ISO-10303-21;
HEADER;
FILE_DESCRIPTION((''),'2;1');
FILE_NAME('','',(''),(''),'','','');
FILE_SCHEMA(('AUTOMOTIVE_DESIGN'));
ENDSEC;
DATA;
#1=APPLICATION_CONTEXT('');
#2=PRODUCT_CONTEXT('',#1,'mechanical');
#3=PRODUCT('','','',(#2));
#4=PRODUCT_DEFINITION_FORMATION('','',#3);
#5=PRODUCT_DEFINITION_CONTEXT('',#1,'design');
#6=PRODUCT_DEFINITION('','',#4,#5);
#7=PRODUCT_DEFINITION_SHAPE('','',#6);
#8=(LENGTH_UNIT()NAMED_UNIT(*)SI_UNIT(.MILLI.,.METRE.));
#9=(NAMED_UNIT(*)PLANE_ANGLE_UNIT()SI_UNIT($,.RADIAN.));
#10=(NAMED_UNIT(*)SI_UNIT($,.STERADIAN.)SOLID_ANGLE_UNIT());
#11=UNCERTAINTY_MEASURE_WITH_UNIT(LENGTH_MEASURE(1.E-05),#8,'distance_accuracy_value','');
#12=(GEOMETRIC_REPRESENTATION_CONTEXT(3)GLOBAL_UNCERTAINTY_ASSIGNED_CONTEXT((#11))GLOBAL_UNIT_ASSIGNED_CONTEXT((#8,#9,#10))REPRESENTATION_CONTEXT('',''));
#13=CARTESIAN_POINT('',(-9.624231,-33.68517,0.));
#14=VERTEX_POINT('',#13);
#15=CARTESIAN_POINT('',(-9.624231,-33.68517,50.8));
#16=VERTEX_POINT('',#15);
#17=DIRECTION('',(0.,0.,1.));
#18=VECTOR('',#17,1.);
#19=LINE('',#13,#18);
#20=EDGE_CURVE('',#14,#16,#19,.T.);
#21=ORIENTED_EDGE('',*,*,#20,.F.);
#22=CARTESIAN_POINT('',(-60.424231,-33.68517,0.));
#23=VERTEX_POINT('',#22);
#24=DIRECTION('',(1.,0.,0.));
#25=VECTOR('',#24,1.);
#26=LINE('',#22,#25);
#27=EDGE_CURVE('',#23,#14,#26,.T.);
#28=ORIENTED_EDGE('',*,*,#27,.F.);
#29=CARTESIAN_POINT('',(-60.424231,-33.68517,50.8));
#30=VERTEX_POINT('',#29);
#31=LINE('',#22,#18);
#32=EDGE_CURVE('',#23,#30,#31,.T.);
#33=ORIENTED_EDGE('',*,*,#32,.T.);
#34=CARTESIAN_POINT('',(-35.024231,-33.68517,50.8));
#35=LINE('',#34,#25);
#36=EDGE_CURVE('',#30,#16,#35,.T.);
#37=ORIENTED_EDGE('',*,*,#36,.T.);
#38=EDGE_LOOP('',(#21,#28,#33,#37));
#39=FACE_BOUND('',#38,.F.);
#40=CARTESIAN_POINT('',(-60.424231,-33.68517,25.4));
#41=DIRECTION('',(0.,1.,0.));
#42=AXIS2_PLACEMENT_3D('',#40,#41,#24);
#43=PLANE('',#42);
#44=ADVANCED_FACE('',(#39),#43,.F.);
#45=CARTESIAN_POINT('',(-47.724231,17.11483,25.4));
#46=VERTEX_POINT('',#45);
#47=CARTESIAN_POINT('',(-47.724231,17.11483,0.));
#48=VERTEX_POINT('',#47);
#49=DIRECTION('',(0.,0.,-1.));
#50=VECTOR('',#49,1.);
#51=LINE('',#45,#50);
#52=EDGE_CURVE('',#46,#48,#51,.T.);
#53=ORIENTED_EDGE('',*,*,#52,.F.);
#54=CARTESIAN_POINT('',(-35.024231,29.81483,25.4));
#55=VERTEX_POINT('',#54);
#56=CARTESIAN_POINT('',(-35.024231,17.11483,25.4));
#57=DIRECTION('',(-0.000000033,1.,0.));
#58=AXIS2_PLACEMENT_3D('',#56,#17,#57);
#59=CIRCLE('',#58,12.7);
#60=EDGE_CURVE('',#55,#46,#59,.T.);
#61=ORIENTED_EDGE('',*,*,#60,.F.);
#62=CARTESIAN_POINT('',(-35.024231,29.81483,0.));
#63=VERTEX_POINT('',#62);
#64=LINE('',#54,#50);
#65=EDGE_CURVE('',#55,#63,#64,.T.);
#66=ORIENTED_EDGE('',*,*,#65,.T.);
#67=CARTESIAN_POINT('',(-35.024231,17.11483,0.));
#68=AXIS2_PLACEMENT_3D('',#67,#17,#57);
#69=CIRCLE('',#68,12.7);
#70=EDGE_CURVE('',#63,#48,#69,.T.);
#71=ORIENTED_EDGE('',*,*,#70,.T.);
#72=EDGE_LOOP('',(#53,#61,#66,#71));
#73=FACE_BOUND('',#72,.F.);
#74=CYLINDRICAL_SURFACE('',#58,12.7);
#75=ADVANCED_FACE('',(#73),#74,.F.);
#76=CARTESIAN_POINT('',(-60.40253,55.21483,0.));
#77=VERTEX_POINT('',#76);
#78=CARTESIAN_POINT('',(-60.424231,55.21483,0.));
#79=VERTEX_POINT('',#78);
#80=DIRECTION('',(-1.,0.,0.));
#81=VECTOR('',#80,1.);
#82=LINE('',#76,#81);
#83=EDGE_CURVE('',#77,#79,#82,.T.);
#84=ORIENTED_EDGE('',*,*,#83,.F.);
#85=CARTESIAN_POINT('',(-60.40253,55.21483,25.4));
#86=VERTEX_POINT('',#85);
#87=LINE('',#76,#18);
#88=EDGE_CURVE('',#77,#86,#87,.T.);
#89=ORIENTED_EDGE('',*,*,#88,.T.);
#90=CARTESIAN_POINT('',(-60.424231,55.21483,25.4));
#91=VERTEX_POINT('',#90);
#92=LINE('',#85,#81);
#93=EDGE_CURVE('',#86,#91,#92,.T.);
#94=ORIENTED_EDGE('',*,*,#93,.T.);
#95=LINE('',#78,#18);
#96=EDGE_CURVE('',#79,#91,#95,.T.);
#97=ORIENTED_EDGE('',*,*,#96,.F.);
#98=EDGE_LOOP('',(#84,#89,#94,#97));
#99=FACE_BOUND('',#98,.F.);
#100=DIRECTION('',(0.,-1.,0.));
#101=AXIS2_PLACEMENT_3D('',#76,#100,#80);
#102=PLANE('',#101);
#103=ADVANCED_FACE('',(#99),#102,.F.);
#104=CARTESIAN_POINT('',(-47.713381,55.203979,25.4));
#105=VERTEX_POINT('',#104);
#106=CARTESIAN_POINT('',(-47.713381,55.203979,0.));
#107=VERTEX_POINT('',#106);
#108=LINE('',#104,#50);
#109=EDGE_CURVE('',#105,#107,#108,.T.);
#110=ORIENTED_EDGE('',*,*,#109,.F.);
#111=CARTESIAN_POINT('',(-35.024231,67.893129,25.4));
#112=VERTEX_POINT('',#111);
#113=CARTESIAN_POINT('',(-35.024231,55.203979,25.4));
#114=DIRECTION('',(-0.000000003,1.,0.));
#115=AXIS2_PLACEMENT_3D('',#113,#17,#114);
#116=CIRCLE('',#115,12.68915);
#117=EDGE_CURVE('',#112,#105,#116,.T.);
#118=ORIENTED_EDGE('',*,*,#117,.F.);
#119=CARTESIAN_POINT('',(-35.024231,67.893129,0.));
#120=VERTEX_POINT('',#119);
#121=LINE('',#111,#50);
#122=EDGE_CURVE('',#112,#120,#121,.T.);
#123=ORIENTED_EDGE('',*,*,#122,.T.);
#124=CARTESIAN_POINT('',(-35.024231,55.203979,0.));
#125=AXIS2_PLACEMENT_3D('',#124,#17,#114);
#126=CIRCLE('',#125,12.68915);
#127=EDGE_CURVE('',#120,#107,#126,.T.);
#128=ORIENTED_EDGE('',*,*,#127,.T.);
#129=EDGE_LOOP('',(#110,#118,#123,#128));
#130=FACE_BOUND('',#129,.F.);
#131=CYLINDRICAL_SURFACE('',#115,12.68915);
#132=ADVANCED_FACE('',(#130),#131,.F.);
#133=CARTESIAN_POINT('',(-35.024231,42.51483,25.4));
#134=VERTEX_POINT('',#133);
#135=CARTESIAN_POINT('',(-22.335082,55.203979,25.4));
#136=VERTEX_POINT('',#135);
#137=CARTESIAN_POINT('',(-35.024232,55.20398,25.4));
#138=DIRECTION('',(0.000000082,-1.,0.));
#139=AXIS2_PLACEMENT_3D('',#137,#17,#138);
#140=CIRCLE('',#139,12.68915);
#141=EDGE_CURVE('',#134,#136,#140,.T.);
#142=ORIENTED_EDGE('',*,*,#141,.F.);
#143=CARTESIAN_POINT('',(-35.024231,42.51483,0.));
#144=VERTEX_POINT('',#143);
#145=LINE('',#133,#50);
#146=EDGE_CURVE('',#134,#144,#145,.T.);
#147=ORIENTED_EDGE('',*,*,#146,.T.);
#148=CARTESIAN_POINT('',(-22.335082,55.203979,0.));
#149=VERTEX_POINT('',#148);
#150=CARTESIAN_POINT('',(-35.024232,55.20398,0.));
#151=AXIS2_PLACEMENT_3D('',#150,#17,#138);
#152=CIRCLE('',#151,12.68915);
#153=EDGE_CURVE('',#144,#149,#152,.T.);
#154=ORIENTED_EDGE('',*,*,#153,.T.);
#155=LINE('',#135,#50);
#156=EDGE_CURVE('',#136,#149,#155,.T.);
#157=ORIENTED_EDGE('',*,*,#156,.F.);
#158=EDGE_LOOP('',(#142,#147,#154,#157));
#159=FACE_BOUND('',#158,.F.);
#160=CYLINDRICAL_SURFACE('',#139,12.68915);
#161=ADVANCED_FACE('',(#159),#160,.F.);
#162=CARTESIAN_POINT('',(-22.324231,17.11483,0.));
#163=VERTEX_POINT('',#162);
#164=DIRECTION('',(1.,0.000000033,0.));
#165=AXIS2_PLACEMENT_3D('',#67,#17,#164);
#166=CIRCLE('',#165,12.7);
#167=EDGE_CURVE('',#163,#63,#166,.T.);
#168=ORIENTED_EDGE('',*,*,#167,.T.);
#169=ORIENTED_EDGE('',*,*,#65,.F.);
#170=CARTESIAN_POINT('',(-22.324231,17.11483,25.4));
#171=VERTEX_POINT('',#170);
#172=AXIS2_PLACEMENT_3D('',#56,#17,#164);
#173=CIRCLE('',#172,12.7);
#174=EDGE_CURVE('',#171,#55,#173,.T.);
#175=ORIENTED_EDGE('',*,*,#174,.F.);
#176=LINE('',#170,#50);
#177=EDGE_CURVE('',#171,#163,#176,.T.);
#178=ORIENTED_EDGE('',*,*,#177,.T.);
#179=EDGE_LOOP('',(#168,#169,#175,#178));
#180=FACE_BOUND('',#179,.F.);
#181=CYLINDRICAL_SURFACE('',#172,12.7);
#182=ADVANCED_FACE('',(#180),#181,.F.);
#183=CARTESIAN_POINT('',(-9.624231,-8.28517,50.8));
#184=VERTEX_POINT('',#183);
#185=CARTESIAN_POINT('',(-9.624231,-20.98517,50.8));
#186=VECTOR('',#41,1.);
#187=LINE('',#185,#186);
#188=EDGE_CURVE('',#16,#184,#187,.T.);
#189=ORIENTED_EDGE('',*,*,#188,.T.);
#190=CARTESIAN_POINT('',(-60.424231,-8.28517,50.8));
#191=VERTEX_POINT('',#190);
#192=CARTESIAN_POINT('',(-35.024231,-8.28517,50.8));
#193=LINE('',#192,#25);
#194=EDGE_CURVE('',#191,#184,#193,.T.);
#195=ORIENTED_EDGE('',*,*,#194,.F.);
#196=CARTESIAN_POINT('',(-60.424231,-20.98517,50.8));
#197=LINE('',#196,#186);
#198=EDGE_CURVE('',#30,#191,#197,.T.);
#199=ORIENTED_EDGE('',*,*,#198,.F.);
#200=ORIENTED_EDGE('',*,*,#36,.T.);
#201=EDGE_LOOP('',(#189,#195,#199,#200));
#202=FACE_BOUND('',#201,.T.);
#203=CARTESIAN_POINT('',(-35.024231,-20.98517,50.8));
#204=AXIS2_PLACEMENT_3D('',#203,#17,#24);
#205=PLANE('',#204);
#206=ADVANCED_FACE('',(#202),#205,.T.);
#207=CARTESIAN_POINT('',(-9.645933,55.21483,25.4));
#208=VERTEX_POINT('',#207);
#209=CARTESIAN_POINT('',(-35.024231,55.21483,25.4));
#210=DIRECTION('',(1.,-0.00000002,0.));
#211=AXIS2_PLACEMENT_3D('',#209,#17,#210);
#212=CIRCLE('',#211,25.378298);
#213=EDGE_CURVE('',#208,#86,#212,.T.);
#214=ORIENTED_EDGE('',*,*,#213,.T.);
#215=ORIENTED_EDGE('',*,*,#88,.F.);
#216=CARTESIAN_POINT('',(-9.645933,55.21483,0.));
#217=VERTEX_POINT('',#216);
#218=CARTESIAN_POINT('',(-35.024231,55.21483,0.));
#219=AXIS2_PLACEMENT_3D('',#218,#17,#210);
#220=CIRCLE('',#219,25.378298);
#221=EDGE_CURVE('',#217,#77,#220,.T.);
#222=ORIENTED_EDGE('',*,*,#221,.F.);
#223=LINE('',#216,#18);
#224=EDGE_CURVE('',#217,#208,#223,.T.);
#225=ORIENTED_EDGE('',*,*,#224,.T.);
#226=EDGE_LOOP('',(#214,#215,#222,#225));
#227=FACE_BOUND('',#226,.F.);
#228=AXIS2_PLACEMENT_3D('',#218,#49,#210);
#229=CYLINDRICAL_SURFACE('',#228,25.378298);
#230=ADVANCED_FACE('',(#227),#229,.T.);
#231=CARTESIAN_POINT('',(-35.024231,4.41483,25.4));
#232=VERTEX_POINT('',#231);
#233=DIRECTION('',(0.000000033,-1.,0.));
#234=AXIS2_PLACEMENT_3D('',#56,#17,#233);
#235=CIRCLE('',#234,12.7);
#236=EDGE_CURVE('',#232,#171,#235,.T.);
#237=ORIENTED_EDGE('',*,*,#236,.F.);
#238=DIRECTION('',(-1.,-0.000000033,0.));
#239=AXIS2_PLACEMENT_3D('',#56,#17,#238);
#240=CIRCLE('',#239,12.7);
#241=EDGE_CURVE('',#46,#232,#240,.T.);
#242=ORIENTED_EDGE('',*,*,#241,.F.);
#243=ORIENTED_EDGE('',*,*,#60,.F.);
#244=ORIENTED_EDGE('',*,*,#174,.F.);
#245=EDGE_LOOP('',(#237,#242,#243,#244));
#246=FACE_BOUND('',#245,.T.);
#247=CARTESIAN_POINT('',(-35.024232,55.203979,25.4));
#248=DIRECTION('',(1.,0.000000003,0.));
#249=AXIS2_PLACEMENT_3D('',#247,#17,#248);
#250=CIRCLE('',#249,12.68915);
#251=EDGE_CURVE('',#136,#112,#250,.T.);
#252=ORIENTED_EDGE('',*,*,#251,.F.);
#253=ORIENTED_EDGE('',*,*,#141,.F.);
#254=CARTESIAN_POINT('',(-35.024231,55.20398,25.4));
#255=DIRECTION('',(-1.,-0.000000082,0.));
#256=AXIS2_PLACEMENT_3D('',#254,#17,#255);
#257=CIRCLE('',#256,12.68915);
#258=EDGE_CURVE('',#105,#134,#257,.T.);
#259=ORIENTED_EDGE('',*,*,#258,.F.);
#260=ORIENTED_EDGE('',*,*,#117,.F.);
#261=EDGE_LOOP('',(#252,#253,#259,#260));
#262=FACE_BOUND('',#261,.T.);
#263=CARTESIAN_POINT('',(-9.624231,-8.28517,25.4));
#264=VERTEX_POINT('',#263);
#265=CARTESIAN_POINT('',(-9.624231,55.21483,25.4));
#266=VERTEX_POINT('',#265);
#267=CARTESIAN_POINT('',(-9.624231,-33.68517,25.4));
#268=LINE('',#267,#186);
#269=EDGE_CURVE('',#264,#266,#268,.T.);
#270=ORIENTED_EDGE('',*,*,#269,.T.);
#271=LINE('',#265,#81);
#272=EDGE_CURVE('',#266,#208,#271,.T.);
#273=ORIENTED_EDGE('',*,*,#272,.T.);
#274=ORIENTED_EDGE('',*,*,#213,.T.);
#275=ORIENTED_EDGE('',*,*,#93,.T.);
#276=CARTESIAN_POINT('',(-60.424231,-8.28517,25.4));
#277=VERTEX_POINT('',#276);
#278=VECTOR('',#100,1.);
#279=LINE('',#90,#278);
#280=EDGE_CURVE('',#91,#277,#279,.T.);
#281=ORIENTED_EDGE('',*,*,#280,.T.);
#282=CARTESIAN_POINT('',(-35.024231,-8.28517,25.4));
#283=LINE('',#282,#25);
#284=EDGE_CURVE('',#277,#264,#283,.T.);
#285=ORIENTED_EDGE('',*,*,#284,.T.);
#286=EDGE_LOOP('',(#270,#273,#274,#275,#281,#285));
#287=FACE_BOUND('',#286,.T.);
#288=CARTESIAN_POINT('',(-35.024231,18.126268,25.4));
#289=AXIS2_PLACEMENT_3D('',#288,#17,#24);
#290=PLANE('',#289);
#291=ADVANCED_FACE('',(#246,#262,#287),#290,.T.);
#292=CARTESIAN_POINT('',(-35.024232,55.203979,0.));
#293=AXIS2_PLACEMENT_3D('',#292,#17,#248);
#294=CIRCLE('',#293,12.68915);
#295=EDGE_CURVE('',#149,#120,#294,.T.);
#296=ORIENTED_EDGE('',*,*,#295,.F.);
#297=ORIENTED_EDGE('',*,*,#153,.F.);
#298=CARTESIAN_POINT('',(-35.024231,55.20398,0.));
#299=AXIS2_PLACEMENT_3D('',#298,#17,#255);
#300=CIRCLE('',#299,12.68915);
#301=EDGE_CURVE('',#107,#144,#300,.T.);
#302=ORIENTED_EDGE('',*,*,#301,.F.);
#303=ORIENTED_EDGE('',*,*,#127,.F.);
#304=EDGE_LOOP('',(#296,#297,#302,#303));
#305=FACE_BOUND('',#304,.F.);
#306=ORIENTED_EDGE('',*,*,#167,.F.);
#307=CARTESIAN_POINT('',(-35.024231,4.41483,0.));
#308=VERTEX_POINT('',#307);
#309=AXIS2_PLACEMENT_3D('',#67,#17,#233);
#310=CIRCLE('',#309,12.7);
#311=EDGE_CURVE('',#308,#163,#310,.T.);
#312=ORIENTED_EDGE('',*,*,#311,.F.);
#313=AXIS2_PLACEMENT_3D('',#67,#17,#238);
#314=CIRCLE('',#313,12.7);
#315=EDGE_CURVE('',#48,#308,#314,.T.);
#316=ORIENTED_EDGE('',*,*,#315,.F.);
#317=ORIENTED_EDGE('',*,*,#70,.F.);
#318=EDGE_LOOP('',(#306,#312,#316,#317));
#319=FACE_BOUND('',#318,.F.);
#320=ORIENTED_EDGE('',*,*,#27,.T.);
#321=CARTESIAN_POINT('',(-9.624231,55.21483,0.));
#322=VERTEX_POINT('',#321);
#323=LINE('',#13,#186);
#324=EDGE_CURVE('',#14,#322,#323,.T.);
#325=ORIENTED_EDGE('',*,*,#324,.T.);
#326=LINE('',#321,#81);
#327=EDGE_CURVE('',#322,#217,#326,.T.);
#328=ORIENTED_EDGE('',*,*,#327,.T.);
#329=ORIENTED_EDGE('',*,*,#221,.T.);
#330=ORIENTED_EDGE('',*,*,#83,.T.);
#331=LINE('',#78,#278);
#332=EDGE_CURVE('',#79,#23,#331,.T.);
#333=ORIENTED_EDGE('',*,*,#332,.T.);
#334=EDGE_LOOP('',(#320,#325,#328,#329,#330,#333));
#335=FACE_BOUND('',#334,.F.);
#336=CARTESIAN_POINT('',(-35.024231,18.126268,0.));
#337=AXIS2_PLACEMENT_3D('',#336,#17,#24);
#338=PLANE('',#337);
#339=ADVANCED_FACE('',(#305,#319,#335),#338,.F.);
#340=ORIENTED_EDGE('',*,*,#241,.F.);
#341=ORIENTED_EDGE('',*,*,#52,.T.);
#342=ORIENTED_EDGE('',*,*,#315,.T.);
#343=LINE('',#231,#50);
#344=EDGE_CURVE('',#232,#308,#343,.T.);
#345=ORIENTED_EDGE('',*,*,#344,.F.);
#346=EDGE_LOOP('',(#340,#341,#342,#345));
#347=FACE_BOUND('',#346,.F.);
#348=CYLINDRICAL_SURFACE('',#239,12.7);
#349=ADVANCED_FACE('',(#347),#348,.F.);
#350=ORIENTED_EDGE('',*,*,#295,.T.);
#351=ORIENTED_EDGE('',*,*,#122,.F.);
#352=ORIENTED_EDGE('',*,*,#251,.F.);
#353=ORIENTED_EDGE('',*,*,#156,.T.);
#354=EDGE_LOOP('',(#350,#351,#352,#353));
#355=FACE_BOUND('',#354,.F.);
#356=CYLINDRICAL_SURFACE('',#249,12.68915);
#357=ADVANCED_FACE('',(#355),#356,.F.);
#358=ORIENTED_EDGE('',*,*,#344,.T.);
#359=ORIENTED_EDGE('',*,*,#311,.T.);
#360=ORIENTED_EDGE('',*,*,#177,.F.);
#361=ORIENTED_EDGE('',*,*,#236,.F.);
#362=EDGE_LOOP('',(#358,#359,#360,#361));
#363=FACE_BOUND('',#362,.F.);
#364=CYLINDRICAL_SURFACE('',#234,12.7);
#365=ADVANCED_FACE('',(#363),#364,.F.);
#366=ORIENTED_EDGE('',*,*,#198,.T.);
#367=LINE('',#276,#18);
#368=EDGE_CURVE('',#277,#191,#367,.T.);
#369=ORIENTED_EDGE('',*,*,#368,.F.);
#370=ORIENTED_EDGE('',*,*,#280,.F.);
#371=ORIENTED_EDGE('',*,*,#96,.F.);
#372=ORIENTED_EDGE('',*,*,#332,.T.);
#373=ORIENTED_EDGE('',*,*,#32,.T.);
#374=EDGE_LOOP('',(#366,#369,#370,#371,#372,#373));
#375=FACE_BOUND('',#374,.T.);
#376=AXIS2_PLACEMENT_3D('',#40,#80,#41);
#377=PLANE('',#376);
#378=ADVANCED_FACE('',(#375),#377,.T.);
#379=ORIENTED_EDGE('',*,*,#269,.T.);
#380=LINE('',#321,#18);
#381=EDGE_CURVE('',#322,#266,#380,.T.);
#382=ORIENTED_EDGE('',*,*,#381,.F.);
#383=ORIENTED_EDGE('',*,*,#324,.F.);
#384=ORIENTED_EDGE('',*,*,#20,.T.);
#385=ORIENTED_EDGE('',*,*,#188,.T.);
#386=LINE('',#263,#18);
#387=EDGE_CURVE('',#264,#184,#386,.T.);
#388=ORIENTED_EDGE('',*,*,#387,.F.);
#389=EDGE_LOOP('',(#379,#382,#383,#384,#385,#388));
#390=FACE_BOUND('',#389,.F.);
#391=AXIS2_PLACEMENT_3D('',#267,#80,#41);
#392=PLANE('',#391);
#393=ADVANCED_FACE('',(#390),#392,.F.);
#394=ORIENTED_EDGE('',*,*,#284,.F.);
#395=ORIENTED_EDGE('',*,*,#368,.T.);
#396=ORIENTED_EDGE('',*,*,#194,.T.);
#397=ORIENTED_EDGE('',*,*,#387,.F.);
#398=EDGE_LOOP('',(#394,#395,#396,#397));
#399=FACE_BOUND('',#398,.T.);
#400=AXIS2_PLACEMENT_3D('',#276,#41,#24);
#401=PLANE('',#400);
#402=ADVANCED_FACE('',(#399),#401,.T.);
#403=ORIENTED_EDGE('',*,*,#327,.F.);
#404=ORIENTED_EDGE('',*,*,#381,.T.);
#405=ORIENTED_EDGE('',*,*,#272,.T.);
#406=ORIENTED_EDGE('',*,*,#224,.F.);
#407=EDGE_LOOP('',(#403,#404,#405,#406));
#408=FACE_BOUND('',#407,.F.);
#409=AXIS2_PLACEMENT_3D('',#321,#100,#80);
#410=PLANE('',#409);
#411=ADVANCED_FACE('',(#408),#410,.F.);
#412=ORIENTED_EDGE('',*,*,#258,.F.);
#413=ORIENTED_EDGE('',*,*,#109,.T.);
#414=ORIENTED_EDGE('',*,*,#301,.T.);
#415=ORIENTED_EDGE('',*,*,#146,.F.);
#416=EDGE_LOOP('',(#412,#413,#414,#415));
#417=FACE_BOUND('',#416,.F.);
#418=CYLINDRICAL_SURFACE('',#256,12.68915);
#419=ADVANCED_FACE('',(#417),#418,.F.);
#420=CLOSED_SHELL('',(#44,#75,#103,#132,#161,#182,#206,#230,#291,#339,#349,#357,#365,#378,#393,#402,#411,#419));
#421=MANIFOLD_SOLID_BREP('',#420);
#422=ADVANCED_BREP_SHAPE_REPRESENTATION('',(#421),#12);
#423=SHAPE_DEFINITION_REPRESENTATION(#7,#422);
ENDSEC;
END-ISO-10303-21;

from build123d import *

# Parameters (mm, degrees)
F1_DEPTH = 25.4
F2_W     = 50.8
F2_H     = 25.4
F3_DEPTH = 25.4
F5_DEPTH = 25.4


with BuildPart() as f1:
    # F0 (on Top) → F1 (new body)
    with BuildSketch(Plane.XY):
        with BuildLine():
            Line((-60.40253, 55.21483), (-60.424231, 55.21483))
            Line((-60.424231, 55.21483), (-60.424231, -33.68517))
            Line((-60.424231, -33.68517), (-9.624231, -33.68517))
            Line((-9.624231, -33.68517), (-9.624231, 55.21483))
            Line((-9.624231, 55.21483), (-9.645933, 55.21483))
            ThreePointArc((-9.645933, 55.21483), (-35.024231, 80.593129), (-60.40253, 55.21483))
        make_face()
    extrude(amount=F1_DEPTH)

    # F2 (on face) → F3 (join)
    with BuildSketch(Plane.XY.offset(25.4)):
        with Locations((-35.024231, -20.98517)):
            Rectangle(F2_W, F2_H)
    extrude(amount=F3_DEPTH)

    # F4 (on face) → F5 (cut)
    with BuildSketch(Plane.XY.offset(25.4)):
        with BuildLine():
            Line((-35.024231, 17.11483), (-22.324231, 17.11483))
            ThreePointArc((-22.324231, 17.11483), (-26.043975, 26.095086), (-35.024231, 29.81483))
            Line((-35.024231, 29.81483), (-35.024231, 17.11483))
        make_face()
        with BuildLine():
            ThreePointArc((-35.024231, 4.41483), (-26.043975, 8.134574), (-22.324231, 17.11483))
            Line((-22.324231, 17.11483), (-35.024231, 17.11483))
            Line((-35.024231, 17.11483), (-35.024231, 4.41483))
        make_face()
        with BuildLine():
            Line((-35.024231, 17.11483), (-35.024231, 29.81483))
            ThreePointArc((-35.024231, 29.81483), (-44.004487, 26.095086), (-47.724231, 17.11483))
            Line((-47.724231, 17.11483), (-35.024231, 17.11483))
        make_face()
        with BuildLine():
            ThreePointArc((-47.724231, 17.11483), (-44.004487, 8.134574), (-35.024231, 4.41483))
            Line((-35.024231, 4.41483), (-35.024231, 17.11483))
            Line((-35.024231, 17.11483), (-47.724231, 17.11483))
        make_face()
        with BuildLine():
            Line((-35.024231, 55.203979), (-22.335082, 55.203979))
            ThreePointArc((-22.335082, 55.203979), (-26.051648, 64.176563), (-35.024231, 67.893129))
            Line((-35.024231, 67.893129), (-35.024231, 55.203979))
        make_face()
        with BuildLine():
            ThreePointArc((-35.024231, 42.51483), (-26.051648, 46.231396), (-22.335082, 55.203979))
            Line((-22.335082, 55.203979), (-35.024231, 55.203979))
            Line((-35.024231, 55.203979), (-35.024231, 42.51483))
        make_face()
        with BuildLine():
            Line((-35.024231, 55.203979), (-35.024231, 67.893129))
            ThreePointArc((-35.024231, 67.893129), (-43.996815, 64.176563), (-47.713381, 55.203979))
            Line((-47.713381, 55.203979), (-35.024231, 55.203979))
        make_face()
        with BuildLine():
            ThreePointArc((-47.713381, 55.203979), (-43.996815, 46.231396), (-35.024231, 42.51483))
            Line((-35.024231, 42.51483), (-35.024231, 55.203979))
            Line((-35.024231, 55.203979), (-47.713381, 55.203979))
        make_face()
    extrude(amount=-F5_DEPTH, mode=Mode.SUBTRACT)


solid = f1.part
